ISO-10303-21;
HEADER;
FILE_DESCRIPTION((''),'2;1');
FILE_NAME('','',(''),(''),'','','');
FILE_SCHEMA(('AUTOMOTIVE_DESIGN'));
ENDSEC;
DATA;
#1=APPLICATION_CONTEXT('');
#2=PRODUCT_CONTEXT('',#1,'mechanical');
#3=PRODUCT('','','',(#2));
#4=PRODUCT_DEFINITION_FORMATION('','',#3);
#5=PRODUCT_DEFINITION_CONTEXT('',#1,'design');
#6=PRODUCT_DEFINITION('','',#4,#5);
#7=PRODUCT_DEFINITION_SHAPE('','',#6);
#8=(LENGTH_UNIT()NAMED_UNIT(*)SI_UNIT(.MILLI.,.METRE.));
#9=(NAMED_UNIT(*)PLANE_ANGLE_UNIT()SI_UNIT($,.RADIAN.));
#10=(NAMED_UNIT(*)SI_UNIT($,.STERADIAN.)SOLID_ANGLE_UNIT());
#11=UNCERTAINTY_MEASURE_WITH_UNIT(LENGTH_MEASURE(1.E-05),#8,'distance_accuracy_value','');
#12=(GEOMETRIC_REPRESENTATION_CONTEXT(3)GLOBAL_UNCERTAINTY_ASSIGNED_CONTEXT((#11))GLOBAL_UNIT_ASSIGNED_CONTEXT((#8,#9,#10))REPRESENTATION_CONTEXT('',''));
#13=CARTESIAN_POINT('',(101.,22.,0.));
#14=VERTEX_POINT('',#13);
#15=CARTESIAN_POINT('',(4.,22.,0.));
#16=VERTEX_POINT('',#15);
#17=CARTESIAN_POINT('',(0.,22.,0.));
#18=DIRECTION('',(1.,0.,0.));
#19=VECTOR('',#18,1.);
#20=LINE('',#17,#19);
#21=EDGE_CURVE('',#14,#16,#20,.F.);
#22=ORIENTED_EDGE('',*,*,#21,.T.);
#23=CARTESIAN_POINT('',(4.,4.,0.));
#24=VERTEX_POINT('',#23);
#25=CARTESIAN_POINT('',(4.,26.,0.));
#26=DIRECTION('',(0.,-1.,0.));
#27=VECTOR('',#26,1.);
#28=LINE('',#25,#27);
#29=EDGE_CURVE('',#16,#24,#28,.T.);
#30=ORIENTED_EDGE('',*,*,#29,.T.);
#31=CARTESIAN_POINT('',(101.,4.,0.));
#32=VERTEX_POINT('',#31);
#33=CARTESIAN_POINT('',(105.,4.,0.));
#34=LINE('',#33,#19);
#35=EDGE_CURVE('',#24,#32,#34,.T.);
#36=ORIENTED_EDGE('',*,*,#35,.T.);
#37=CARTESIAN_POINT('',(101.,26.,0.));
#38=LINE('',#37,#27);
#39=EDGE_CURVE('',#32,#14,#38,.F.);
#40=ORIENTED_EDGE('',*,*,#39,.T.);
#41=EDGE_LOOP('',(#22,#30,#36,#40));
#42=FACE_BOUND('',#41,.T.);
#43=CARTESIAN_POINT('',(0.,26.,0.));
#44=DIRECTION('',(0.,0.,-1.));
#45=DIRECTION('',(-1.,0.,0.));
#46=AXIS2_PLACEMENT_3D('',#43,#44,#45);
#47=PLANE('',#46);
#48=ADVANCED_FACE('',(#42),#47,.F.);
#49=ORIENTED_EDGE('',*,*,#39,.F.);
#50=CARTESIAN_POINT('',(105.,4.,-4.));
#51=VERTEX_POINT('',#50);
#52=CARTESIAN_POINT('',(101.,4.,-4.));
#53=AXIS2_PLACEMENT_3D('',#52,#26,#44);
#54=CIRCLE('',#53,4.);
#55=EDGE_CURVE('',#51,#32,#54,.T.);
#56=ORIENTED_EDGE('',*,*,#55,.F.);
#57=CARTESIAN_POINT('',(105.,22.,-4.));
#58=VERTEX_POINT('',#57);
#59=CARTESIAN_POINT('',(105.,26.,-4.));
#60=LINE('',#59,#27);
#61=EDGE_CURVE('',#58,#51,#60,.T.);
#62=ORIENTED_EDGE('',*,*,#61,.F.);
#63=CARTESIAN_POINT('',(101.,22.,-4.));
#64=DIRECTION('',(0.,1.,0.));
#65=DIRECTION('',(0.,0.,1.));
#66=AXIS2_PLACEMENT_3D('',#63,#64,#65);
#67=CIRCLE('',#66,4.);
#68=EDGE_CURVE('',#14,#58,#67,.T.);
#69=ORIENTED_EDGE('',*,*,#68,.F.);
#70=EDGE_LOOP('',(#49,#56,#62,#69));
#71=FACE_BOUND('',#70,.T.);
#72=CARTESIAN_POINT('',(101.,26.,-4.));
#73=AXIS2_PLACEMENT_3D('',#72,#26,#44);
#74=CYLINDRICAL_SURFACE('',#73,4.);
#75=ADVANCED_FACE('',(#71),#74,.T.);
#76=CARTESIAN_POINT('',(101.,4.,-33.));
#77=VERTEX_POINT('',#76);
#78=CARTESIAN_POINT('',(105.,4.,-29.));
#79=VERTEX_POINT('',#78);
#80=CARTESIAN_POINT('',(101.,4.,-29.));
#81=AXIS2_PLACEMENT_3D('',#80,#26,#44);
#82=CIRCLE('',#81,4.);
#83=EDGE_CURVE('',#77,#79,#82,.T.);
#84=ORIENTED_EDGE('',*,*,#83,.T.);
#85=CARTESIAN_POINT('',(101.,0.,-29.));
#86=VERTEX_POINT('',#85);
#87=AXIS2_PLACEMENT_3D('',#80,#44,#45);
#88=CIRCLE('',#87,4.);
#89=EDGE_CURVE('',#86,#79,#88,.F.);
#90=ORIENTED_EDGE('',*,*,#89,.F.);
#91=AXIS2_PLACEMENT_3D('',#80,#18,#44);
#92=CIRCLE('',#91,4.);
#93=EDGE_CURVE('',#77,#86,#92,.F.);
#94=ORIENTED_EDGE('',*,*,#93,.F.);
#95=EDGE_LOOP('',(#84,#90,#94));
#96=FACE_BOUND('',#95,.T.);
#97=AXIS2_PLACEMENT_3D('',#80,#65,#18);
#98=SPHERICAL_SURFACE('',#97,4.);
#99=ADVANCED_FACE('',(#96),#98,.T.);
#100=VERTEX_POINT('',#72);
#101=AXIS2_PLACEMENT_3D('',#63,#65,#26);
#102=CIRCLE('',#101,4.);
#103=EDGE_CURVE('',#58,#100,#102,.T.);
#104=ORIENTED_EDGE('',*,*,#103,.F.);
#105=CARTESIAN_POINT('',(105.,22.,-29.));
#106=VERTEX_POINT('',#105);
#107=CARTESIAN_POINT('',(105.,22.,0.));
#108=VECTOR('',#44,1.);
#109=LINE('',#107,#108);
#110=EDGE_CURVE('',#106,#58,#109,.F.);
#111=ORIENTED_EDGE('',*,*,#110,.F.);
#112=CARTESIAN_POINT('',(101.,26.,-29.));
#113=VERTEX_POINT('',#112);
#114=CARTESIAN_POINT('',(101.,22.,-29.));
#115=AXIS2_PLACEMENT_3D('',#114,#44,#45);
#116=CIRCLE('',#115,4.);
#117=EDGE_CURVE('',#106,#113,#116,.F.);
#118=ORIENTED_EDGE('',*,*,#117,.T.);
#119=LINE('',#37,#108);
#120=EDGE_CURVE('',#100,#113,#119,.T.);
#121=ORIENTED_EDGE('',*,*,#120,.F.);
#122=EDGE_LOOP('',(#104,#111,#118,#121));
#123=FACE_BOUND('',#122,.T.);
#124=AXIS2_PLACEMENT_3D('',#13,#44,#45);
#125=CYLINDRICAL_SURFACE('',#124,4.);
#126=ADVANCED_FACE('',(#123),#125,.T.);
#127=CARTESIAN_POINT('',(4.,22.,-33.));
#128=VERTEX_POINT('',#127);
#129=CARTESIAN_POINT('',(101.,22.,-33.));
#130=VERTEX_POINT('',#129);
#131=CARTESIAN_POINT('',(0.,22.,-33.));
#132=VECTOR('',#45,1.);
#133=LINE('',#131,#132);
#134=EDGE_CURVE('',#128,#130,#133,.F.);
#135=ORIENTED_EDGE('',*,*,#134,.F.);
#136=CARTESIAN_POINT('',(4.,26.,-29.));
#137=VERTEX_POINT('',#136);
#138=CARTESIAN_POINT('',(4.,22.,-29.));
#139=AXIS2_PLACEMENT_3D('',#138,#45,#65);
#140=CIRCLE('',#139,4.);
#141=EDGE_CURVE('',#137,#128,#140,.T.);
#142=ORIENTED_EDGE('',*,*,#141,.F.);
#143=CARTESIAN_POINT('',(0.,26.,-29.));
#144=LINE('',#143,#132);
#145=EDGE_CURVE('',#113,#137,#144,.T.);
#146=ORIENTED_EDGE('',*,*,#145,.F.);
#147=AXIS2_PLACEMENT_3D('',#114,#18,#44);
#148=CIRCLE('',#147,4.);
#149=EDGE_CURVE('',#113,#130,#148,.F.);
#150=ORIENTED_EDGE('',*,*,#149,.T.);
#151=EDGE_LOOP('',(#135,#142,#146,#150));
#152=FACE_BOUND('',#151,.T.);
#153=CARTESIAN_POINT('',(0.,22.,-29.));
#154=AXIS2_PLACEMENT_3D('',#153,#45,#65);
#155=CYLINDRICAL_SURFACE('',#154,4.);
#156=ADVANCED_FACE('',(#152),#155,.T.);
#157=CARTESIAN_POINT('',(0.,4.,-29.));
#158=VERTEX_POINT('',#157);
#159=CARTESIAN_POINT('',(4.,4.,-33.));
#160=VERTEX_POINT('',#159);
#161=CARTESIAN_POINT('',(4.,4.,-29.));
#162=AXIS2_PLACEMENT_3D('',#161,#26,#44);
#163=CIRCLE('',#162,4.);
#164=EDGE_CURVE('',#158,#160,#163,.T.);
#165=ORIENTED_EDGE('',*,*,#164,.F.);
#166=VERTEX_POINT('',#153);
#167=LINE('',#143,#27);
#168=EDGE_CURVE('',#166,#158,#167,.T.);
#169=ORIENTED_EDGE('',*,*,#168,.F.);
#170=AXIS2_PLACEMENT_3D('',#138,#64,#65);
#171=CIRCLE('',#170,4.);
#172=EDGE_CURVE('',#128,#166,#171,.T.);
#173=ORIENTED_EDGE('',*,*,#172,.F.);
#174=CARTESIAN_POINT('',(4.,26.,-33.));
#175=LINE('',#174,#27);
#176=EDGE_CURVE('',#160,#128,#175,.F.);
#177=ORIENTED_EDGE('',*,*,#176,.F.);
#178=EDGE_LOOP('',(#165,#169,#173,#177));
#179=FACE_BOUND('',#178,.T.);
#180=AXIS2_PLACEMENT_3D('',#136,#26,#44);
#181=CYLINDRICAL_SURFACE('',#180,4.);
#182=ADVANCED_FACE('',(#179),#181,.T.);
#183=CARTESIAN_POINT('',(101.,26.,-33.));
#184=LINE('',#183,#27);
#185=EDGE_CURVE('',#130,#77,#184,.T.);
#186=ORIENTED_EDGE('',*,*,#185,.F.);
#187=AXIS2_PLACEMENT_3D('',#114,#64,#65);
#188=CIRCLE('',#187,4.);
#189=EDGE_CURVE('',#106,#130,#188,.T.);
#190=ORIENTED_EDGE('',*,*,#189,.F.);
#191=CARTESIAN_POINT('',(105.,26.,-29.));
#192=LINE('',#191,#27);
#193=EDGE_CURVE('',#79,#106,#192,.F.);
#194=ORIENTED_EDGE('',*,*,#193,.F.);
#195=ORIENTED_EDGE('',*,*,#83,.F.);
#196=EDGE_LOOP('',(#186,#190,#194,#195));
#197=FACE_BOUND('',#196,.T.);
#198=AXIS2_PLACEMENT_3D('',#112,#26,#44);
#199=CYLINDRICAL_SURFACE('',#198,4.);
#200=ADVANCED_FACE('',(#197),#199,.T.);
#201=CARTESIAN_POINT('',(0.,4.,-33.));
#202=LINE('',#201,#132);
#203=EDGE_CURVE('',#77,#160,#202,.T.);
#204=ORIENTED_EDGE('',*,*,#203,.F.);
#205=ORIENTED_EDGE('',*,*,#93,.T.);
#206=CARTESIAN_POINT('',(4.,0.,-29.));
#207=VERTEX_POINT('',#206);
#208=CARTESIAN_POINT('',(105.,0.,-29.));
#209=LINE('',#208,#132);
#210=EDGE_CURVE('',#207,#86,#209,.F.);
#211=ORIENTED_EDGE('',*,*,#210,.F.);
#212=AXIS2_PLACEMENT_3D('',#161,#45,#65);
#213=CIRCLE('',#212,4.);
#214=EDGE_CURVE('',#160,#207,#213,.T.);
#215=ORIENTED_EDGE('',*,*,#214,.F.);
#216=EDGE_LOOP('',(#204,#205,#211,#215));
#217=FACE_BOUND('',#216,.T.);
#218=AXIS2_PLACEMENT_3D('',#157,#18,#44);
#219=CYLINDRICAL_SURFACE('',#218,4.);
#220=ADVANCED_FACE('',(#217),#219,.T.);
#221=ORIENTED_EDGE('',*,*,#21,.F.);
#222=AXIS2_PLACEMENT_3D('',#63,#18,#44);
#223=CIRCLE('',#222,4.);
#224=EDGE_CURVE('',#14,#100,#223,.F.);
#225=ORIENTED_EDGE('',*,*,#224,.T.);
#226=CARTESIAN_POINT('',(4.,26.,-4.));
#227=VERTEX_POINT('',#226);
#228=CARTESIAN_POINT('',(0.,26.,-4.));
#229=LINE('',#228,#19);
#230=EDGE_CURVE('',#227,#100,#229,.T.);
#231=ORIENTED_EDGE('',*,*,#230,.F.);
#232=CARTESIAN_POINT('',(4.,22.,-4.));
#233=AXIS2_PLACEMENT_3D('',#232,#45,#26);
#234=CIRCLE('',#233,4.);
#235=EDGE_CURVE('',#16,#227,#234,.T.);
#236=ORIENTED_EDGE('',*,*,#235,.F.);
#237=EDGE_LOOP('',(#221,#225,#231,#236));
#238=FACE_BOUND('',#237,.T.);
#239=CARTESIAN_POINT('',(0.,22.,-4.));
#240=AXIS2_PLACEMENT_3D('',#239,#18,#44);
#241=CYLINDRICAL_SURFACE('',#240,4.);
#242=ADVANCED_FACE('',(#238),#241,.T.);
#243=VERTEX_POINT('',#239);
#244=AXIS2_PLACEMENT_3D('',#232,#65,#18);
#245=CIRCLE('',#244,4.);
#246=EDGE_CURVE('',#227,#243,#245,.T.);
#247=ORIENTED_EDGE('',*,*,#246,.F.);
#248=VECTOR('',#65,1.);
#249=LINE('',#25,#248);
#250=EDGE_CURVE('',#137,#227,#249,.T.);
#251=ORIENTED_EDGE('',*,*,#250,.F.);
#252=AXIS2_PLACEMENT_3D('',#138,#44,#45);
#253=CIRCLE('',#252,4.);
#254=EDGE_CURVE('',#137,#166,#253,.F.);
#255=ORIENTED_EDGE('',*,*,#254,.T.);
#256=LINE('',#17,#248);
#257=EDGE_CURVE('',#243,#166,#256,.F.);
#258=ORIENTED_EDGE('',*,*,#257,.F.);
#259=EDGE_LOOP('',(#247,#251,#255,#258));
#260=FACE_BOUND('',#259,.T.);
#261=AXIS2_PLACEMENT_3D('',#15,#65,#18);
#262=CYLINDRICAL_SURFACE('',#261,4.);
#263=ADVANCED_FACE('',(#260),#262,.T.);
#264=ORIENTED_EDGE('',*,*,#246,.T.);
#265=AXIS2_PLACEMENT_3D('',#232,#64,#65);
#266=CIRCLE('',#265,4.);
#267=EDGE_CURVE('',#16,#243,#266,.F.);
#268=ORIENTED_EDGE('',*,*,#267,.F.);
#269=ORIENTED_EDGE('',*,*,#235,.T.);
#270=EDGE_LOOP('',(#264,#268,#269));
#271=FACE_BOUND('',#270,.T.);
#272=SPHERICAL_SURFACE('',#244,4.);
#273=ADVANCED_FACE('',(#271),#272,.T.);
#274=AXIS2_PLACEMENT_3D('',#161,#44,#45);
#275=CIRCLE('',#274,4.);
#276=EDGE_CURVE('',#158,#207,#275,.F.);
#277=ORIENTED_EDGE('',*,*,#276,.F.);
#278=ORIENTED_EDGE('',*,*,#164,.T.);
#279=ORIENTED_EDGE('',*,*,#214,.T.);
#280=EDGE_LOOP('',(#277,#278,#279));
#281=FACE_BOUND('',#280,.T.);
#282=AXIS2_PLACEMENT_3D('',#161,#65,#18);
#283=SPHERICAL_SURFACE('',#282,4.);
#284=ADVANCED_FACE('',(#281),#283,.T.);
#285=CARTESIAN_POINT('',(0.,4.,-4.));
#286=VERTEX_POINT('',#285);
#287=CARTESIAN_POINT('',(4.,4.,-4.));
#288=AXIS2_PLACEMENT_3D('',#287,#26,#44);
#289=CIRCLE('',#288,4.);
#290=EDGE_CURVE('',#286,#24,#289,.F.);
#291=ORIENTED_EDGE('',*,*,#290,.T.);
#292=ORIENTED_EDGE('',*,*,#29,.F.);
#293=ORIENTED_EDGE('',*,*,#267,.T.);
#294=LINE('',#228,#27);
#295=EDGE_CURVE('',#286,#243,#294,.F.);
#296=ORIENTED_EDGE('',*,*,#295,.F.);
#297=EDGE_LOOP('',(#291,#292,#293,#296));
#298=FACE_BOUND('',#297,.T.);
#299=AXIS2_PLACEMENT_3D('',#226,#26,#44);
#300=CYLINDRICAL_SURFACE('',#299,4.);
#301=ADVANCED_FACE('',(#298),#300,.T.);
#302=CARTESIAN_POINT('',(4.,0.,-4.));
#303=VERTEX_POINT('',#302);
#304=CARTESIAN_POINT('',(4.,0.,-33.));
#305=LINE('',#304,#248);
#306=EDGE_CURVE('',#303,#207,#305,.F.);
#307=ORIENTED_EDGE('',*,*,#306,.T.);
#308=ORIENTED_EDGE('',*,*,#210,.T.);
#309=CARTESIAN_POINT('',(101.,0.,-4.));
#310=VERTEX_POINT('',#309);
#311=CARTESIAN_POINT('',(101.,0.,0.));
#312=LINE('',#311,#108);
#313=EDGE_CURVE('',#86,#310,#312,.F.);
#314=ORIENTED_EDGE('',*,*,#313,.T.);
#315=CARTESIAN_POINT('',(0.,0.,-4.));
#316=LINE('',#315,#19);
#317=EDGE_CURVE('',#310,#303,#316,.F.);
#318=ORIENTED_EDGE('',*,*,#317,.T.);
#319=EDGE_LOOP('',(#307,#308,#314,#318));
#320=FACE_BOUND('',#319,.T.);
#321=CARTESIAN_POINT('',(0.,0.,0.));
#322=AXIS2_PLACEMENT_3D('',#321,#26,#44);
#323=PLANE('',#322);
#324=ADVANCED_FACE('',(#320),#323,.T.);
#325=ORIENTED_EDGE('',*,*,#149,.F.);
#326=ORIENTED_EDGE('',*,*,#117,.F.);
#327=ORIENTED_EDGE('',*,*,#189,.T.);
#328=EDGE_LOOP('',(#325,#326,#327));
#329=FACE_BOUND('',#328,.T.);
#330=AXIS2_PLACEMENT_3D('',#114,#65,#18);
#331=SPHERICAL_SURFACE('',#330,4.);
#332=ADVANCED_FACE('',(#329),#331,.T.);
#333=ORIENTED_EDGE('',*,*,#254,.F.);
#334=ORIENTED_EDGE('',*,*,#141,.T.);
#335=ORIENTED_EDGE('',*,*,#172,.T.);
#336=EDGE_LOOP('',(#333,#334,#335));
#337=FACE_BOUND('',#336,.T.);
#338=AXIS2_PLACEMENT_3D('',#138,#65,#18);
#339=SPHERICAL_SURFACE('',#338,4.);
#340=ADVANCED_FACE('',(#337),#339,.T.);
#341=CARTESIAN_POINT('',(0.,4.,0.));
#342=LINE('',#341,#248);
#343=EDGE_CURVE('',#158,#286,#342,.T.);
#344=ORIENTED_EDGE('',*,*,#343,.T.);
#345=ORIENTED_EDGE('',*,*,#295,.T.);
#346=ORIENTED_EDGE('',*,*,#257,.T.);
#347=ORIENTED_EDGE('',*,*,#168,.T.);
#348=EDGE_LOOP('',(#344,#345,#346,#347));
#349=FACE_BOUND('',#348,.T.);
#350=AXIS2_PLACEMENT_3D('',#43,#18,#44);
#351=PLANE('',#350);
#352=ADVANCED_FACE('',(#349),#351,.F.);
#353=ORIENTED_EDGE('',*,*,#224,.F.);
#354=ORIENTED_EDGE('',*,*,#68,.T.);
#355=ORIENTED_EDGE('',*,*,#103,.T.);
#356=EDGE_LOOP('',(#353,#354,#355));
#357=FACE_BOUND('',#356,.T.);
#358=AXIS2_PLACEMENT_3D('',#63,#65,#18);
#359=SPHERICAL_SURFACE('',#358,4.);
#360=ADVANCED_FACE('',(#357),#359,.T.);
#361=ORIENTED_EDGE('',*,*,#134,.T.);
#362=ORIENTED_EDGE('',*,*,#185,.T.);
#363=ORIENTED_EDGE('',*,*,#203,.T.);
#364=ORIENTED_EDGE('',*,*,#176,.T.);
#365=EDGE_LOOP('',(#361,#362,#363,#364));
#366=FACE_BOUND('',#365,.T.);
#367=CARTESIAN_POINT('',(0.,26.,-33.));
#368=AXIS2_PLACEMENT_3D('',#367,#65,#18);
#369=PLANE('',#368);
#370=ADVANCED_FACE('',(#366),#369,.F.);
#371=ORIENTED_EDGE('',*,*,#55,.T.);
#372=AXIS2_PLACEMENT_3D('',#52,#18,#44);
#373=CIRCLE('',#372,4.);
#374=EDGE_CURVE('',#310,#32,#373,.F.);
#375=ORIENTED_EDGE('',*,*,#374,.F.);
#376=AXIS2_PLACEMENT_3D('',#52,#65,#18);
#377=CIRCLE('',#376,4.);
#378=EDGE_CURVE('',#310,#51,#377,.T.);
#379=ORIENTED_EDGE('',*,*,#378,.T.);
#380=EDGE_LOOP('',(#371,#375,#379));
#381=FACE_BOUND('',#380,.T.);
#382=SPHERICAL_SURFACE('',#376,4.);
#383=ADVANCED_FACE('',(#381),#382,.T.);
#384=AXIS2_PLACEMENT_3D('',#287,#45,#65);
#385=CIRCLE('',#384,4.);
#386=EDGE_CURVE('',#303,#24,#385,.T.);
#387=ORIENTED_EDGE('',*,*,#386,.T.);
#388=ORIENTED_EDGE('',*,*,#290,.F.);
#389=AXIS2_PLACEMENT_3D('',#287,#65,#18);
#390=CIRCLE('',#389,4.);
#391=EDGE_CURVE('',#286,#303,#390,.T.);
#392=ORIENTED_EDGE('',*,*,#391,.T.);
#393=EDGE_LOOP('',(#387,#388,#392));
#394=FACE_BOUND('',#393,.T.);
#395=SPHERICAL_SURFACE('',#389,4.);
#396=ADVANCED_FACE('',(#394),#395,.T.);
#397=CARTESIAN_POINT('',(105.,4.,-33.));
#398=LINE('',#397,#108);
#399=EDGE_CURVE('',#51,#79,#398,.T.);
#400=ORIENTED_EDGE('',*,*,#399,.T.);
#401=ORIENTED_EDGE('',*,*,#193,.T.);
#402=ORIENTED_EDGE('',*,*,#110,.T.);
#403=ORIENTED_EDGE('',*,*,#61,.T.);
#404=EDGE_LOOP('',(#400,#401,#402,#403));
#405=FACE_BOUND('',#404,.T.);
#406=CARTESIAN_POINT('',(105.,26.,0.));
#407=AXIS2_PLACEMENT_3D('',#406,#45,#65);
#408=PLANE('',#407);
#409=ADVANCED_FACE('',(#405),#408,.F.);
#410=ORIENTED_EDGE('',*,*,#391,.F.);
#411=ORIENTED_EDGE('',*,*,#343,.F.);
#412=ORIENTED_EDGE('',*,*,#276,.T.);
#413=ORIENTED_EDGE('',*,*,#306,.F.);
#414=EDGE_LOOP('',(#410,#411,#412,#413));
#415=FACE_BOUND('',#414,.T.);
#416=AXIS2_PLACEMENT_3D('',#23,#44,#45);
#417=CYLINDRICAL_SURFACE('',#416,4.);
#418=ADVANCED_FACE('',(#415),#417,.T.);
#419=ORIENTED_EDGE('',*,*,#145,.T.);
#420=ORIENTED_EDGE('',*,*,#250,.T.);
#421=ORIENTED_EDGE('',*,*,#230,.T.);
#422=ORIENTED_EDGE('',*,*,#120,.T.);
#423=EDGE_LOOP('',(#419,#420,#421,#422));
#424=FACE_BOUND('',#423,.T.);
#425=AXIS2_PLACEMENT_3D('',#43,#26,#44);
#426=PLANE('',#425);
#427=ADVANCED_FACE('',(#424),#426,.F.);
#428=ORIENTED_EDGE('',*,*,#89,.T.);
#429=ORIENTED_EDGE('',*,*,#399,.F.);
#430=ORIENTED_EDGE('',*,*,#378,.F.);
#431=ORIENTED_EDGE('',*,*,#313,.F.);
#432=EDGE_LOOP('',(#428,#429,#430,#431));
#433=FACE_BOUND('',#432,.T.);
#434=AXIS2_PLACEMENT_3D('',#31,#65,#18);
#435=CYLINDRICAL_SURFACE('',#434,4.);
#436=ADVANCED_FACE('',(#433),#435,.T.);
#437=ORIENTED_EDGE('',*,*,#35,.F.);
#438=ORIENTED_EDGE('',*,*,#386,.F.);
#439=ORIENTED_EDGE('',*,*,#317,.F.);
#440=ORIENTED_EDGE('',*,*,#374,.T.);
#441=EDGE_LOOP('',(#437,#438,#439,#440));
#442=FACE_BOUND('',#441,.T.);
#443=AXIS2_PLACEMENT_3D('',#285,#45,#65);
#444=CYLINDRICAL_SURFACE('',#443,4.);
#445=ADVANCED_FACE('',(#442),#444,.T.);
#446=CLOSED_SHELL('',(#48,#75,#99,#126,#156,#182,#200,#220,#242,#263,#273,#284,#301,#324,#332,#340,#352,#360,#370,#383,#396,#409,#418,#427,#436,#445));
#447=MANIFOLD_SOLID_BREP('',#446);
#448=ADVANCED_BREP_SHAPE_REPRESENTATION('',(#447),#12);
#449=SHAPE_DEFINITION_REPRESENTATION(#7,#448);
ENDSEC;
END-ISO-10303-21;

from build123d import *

# Parameters (mm, degrees)
SKETCH2_W           = 105
SKETCH2_H           = 33
BOSS_EXTRUDE1_DEPTH = 26
FILLET1_R           = 4


with BuildPart() as part:
    # Sketch2 → Boss-Extrude1 (new body)
    with BuildSketch(Plane(origin=(0, 0, 0), x_dir=(1, 0, 0), z_dir=(0, 1, 0))):
        with Locations((52.5, 16.5)):
            Rectangle(SKETCH2_W, SKETCH2_H)
    extrude(amount=BOSS_EXTRUDE1_DEPTH)

    # Fillet1
    fillet1_edges = [part.edges().sort_by_distance(p)[0] for p in [
        (105, 26, -16.5),
        (52.5, 26, -33),
        (0, 26, -16.5),
        (52.5, 0, -33),
        (105, 0, -16.5),
        (52.5, 0, 0),
        (0, 0, -16.5),
        (52.5, 26, 0),
        (0, 13, -33),
        (105, 13, -33),
        (105, 13, 0),
        (0, 13, 0),
    ]]
    fillet(fillet1_edges, radius=FILLET1_R)


solid = part.part
